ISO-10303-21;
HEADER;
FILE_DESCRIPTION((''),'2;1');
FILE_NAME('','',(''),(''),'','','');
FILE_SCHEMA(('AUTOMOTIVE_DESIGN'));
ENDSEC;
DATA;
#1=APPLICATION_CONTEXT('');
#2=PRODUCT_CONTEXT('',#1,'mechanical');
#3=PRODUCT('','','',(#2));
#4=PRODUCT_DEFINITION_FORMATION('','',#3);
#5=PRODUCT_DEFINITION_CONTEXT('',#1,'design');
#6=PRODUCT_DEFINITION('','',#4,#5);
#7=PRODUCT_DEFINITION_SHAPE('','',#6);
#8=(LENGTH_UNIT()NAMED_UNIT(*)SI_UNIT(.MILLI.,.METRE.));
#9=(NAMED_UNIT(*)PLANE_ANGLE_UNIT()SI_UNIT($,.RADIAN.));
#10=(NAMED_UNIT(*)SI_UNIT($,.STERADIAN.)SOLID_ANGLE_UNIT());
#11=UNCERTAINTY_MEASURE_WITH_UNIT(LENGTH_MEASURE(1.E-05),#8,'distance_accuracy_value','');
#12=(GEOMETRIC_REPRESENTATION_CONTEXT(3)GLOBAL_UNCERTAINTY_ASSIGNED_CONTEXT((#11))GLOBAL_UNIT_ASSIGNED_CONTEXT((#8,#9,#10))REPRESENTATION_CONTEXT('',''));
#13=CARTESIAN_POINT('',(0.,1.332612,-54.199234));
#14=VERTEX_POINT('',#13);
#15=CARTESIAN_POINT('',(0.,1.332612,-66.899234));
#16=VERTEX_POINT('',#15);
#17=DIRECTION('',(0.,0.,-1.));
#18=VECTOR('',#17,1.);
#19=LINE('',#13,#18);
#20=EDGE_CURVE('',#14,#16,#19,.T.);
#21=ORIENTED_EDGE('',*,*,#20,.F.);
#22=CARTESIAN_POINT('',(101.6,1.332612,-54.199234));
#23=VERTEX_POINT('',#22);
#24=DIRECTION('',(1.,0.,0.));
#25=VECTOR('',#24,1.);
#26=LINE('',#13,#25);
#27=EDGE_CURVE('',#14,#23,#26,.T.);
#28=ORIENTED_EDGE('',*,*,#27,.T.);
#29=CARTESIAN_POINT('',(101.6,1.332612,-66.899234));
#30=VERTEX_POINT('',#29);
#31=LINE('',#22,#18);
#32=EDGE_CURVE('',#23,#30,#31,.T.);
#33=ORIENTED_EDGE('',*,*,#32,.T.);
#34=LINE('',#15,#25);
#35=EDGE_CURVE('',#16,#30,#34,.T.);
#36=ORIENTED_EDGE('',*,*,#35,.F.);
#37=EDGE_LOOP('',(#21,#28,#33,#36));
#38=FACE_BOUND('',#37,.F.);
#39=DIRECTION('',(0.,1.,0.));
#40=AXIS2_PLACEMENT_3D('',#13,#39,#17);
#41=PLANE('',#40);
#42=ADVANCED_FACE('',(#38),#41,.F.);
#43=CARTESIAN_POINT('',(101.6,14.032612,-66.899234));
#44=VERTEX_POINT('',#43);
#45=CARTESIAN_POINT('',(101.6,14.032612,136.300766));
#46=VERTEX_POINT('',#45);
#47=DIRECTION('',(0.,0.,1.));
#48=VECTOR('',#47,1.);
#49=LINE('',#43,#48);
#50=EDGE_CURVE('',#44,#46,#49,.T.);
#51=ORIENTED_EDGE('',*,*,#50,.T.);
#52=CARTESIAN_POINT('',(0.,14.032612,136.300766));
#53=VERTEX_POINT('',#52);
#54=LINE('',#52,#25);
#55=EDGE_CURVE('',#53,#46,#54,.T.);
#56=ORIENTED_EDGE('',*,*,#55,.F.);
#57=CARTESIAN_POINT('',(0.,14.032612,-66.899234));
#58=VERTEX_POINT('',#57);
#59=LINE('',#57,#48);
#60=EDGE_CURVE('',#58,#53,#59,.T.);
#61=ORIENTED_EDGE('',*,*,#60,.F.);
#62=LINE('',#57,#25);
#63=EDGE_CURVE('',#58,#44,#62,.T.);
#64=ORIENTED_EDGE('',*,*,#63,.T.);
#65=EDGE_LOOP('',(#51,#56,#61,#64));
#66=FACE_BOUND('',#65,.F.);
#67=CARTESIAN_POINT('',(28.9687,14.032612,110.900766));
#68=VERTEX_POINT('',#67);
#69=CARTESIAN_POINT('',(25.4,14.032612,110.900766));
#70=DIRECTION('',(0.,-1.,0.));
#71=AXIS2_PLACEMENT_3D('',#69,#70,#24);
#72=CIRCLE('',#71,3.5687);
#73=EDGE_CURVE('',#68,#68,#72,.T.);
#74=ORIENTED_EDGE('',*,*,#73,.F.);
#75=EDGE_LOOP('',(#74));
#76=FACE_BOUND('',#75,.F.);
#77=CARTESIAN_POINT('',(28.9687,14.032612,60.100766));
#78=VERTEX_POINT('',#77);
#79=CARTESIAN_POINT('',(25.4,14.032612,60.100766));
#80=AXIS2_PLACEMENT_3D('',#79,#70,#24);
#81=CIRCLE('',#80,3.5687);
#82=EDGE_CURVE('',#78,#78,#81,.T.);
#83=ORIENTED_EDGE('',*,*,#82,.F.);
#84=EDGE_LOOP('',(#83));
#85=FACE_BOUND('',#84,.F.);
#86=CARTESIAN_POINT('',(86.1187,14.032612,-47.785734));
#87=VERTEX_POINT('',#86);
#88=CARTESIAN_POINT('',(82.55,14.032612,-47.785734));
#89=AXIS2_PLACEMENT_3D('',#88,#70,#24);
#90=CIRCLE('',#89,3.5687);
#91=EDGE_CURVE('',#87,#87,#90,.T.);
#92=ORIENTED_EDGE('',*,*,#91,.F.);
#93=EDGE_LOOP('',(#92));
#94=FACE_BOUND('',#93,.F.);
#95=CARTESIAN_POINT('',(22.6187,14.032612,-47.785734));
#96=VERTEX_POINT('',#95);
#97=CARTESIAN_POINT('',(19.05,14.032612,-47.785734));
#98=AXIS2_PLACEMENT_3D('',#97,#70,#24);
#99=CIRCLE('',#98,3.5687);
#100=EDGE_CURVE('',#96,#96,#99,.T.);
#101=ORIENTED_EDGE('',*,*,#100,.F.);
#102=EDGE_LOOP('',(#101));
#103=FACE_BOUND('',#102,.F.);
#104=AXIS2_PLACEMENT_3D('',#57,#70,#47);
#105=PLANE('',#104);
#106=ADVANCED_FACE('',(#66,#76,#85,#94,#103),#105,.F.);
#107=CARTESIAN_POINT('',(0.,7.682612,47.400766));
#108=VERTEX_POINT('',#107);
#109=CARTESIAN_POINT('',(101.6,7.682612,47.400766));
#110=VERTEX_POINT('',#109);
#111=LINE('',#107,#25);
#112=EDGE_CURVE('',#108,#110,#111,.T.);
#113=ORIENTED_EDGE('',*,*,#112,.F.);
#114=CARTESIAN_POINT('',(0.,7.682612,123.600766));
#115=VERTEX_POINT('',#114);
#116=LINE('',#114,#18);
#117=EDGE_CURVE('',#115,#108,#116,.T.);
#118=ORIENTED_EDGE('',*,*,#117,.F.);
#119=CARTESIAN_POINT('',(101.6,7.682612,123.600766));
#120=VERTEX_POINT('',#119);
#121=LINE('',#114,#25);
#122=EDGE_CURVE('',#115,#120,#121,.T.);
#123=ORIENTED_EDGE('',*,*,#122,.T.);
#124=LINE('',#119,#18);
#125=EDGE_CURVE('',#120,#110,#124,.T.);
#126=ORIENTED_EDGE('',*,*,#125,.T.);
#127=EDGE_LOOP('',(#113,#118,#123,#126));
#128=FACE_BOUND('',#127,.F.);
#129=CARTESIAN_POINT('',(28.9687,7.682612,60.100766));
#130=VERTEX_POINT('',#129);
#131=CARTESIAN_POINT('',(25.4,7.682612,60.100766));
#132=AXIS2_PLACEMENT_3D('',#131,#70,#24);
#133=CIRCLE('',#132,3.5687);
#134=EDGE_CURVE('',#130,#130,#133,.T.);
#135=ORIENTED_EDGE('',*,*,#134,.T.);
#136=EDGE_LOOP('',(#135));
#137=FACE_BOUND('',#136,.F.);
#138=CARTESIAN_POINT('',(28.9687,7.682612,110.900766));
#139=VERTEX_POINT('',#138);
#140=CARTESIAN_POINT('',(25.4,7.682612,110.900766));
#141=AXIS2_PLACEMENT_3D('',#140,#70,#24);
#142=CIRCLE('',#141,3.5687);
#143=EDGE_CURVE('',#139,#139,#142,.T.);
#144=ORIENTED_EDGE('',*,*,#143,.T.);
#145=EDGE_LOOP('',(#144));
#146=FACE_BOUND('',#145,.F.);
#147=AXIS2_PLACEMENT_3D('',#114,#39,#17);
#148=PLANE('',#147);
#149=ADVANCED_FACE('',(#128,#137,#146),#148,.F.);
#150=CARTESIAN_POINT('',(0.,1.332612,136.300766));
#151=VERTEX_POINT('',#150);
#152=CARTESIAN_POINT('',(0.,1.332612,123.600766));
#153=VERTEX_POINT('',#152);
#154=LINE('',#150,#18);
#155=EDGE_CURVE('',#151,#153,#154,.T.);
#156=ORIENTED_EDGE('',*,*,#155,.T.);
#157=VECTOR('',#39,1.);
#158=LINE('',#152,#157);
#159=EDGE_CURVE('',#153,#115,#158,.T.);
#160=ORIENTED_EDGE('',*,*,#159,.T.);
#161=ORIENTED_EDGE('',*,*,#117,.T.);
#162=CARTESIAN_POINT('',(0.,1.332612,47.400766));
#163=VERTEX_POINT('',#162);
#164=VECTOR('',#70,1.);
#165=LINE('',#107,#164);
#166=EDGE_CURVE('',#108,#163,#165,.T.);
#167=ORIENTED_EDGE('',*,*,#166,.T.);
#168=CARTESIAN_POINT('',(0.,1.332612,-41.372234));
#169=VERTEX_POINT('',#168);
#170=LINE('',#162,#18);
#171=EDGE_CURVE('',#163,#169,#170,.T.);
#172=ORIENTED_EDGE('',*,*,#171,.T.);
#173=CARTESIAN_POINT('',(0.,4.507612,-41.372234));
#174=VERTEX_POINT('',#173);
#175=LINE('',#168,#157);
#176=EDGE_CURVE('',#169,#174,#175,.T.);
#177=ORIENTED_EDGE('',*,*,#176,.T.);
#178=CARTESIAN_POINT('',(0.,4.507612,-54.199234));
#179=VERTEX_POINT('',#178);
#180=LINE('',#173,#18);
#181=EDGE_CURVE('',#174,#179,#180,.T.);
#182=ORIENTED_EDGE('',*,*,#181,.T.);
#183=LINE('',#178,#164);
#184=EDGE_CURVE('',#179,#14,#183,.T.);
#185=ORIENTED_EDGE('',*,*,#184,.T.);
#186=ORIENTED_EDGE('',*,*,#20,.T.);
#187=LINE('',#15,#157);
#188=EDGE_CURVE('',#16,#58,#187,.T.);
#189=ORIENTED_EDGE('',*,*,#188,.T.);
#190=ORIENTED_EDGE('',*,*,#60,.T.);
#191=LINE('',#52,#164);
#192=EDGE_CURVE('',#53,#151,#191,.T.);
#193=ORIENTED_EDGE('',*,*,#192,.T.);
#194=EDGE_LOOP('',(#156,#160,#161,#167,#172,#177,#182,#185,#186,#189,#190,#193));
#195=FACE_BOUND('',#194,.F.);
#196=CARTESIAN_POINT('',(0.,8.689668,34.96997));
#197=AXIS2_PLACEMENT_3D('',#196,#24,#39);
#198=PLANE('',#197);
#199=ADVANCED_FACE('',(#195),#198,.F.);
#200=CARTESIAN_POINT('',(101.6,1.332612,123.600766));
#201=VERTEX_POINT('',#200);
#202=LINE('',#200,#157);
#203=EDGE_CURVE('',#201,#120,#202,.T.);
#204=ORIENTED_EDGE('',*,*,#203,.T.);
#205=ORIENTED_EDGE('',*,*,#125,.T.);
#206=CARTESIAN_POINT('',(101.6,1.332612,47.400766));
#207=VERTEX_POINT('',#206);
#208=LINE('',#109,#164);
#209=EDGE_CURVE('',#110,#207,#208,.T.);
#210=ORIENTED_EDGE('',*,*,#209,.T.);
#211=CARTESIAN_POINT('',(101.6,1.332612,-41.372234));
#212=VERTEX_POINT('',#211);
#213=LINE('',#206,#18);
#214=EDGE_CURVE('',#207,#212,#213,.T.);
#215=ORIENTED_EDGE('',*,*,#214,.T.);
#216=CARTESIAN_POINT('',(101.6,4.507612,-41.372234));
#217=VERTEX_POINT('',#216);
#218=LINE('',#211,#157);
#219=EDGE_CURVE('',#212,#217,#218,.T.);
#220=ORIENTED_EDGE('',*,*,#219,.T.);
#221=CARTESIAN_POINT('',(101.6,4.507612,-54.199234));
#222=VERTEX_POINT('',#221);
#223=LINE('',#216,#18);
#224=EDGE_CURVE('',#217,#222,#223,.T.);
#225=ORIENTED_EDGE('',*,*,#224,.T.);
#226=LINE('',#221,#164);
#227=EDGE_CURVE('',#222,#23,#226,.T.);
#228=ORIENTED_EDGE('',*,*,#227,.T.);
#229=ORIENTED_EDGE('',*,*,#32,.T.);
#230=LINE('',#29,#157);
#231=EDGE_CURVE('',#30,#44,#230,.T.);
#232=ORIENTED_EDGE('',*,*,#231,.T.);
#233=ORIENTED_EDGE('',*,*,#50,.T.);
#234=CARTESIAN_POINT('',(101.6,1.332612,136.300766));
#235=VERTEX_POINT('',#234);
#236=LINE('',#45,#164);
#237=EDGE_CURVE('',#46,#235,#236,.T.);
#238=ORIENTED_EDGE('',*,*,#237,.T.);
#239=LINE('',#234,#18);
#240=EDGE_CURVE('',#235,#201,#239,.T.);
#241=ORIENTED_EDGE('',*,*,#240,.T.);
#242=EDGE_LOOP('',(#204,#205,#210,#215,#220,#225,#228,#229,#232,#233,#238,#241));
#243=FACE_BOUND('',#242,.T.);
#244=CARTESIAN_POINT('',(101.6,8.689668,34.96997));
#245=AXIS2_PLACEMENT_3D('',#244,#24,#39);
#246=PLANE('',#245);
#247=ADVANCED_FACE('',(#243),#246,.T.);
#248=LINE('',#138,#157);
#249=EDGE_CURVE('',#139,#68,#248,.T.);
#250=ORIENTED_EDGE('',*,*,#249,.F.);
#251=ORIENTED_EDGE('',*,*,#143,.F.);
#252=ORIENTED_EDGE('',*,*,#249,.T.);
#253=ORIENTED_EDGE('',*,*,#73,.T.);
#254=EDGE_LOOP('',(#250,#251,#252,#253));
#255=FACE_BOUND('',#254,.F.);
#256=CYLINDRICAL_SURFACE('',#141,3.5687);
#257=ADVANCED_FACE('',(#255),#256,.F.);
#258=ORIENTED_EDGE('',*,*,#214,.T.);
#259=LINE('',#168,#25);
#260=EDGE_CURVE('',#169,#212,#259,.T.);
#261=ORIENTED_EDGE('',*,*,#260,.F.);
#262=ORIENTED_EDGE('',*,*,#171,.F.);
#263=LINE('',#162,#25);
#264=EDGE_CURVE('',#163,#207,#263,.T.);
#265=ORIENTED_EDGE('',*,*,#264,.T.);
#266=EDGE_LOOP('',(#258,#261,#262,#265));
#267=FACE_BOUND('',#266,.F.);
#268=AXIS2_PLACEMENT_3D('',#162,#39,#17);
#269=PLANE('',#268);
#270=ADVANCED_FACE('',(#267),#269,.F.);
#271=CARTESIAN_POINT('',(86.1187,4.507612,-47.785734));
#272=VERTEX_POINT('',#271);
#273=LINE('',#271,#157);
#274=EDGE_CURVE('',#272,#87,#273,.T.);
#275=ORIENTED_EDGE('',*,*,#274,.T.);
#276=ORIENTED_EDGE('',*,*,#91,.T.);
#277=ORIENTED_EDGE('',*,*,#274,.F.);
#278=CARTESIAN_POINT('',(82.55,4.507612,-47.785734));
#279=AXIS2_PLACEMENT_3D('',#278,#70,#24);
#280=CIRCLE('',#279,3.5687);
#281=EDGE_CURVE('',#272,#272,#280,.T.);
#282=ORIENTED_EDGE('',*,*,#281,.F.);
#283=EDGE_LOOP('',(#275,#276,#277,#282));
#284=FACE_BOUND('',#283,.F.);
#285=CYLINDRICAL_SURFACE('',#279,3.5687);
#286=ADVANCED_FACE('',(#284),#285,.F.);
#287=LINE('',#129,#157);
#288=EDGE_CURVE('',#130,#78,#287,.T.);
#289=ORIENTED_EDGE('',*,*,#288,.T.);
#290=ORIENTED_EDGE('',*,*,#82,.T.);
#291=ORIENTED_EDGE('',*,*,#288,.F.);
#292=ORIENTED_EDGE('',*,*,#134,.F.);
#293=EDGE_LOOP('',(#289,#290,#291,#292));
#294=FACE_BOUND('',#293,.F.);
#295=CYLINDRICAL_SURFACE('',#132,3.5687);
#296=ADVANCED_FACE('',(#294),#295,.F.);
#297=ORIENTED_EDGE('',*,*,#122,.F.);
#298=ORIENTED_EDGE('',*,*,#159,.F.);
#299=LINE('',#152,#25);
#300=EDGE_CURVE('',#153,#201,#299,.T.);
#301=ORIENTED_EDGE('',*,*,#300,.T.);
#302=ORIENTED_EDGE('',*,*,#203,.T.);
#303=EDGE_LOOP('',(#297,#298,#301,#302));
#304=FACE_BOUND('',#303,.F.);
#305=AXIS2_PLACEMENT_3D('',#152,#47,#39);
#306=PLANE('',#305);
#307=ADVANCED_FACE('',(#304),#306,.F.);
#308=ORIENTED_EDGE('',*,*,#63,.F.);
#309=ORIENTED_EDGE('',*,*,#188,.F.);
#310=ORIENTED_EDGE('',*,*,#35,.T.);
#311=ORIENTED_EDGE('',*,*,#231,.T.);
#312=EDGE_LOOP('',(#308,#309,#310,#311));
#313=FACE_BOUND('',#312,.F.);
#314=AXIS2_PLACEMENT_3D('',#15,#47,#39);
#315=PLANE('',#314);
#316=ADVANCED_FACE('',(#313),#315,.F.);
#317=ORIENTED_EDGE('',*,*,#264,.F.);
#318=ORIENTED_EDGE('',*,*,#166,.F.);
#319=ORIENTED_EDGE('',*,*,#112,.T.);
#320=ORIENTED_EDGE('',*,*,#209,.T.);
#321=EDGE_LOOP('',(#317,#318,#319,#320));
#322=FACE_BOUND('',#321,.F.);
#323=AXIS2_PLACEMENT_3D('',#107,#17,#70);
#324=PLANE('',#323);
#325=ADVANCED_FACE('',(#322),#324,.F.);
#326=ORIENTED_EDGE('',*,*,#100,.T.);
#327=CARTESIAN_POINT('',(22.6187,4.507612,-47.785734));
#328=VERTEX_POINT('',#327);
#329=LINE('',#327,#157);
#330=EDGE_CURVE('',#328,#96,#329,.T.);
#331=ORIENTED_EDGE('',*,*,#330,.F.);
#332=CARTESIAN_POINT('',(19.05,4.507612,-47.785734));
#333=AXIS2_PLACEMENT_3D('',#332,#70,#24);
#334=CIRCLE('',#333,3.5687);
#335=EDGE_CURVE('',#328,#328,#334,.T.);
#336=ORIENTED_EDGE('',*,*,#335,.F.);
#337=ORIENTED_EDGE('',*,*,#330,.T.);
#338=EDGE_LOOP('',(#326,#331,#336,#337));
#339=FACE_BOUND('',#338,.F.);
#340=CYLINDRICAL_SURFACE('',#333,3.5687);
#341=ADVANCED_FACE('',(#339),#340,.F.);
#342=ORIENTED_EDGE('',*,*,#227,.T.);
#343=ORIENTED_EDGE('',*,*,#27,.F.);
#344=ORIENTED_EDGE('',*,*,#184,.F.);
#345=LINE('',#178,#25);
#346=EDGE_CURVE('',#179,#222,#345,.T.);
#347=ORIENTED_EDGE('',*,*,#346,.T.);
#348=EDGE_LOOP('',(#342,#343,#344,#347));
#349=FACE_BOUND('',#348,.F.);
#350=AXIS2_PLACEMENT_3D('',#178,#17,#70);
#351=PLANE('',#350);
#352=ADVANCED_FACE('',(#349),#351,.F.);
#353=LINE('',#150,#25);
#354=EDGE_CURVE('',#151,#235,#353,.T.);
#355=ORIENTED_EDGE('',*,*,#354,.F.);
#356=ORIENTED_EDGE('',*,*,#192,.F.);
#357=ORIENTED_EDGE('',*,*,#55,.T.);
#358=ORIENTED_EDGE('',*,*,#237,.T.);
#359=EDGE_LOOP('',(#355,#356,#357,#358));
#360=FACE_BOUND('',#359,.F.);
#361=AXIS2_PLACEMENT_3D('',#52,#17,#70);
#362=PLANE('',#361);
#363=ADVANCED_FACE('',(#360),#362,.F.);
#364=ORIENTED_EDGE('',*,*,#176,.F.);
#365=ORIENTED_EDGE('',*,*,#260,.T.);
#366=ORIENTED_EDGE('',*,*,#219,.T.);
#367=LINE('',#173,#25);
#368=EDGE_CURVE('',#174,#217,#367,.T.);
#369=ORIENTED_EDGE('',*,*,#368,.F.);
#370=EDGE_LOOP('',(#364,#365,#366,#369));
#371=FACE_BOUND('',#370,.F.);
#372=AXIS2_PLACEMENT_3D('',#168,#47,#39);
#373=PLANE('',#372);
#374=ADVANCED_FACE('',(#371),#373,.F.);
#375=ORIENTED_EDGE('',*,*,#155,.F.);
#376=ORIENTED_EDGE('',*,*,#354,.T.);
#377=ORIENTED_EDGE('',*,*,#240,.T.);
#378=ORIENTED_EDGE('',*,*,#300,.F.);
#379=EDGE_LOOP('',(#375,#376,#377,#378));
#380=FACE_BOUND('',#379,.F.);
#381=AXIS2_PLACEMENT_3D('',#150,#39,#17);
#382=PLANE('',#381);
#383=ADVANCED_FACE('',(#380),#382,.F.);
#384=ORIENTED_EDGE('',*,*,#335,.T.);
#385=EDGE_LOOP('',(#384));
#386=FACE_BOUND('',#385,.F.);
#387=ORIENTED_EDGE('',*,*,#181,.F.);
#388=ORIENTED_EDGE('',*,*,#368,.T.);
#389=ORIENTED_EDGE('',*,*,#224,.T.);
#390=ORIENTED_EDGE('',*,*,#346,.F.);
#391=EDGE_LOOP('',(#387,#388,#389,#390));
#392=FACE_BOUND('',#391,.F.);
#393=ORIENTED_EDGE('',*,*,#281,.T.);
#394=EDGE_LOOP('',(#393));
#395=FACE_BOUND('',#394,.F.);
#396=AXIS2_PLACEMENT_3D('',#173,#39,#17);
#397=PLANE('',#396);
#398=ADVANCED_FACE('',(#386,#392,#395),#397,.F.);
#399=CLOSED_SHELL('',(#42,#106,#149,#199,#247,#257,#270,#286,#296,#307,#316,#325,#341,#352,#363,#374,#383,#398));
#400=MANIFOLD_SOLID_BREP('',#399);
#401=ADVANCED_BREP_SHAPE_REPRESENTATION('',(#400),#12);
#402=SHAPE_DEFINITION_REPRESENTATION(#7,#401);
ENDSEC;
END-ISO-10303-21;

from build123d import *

# Parameters (mm, degrees)
F1_DEPTH = 101.6
F2_R     = 3.5687
F3_DEPTH = 9.525
F4_R     = 3.5687
F5_DEPTH = 6.35


with BuildPart() as f1:
    # F0 (on Right) → F1 (new body)
    with BuildSketch(Plane.YZ):
        Polygon((14.032612, -66.899234), (14.032612, 136.300766), (1.332612, 136.300766), (1.332612, 123.600766), (7.682612, 123.600766), (7.682612, 47.400766), (1.332612, 47.400766), (1.332612, -41.372234), (4.507612, -41.372234), (4.507612, -54.199234), (1.332612, -54.199234), (1.332612, -66.899234), align=None)
    extrude(amount=F1_DEPTH)

    # F2 (on face) → F3 (cut, through all)
    with BuildSketch(Plane.XZ.offset(-4.507612)):
        with Locations((19.05, -47.785734)):
            Circle(F2_R)
        with Locations((82.55, -47.785734)):
            Circle(F2_R)
    extrude(amount=-F3_DEPTH, mode=Mode.SUBTRACT)

    # F4 (on face) → F5 (cut, through all)
    with BuildSketch(Plane.XZ.offset(-7.682612)):
        with Locations((25.4, 110.900766)):
            Circle(F4_R)
        with Locations((25.4, 60.100766)):
            Circle(F4_R)
    extrude(amount=-F5_DEPTH, mode=Mode.SUBTRACT)


solid = f1.part
